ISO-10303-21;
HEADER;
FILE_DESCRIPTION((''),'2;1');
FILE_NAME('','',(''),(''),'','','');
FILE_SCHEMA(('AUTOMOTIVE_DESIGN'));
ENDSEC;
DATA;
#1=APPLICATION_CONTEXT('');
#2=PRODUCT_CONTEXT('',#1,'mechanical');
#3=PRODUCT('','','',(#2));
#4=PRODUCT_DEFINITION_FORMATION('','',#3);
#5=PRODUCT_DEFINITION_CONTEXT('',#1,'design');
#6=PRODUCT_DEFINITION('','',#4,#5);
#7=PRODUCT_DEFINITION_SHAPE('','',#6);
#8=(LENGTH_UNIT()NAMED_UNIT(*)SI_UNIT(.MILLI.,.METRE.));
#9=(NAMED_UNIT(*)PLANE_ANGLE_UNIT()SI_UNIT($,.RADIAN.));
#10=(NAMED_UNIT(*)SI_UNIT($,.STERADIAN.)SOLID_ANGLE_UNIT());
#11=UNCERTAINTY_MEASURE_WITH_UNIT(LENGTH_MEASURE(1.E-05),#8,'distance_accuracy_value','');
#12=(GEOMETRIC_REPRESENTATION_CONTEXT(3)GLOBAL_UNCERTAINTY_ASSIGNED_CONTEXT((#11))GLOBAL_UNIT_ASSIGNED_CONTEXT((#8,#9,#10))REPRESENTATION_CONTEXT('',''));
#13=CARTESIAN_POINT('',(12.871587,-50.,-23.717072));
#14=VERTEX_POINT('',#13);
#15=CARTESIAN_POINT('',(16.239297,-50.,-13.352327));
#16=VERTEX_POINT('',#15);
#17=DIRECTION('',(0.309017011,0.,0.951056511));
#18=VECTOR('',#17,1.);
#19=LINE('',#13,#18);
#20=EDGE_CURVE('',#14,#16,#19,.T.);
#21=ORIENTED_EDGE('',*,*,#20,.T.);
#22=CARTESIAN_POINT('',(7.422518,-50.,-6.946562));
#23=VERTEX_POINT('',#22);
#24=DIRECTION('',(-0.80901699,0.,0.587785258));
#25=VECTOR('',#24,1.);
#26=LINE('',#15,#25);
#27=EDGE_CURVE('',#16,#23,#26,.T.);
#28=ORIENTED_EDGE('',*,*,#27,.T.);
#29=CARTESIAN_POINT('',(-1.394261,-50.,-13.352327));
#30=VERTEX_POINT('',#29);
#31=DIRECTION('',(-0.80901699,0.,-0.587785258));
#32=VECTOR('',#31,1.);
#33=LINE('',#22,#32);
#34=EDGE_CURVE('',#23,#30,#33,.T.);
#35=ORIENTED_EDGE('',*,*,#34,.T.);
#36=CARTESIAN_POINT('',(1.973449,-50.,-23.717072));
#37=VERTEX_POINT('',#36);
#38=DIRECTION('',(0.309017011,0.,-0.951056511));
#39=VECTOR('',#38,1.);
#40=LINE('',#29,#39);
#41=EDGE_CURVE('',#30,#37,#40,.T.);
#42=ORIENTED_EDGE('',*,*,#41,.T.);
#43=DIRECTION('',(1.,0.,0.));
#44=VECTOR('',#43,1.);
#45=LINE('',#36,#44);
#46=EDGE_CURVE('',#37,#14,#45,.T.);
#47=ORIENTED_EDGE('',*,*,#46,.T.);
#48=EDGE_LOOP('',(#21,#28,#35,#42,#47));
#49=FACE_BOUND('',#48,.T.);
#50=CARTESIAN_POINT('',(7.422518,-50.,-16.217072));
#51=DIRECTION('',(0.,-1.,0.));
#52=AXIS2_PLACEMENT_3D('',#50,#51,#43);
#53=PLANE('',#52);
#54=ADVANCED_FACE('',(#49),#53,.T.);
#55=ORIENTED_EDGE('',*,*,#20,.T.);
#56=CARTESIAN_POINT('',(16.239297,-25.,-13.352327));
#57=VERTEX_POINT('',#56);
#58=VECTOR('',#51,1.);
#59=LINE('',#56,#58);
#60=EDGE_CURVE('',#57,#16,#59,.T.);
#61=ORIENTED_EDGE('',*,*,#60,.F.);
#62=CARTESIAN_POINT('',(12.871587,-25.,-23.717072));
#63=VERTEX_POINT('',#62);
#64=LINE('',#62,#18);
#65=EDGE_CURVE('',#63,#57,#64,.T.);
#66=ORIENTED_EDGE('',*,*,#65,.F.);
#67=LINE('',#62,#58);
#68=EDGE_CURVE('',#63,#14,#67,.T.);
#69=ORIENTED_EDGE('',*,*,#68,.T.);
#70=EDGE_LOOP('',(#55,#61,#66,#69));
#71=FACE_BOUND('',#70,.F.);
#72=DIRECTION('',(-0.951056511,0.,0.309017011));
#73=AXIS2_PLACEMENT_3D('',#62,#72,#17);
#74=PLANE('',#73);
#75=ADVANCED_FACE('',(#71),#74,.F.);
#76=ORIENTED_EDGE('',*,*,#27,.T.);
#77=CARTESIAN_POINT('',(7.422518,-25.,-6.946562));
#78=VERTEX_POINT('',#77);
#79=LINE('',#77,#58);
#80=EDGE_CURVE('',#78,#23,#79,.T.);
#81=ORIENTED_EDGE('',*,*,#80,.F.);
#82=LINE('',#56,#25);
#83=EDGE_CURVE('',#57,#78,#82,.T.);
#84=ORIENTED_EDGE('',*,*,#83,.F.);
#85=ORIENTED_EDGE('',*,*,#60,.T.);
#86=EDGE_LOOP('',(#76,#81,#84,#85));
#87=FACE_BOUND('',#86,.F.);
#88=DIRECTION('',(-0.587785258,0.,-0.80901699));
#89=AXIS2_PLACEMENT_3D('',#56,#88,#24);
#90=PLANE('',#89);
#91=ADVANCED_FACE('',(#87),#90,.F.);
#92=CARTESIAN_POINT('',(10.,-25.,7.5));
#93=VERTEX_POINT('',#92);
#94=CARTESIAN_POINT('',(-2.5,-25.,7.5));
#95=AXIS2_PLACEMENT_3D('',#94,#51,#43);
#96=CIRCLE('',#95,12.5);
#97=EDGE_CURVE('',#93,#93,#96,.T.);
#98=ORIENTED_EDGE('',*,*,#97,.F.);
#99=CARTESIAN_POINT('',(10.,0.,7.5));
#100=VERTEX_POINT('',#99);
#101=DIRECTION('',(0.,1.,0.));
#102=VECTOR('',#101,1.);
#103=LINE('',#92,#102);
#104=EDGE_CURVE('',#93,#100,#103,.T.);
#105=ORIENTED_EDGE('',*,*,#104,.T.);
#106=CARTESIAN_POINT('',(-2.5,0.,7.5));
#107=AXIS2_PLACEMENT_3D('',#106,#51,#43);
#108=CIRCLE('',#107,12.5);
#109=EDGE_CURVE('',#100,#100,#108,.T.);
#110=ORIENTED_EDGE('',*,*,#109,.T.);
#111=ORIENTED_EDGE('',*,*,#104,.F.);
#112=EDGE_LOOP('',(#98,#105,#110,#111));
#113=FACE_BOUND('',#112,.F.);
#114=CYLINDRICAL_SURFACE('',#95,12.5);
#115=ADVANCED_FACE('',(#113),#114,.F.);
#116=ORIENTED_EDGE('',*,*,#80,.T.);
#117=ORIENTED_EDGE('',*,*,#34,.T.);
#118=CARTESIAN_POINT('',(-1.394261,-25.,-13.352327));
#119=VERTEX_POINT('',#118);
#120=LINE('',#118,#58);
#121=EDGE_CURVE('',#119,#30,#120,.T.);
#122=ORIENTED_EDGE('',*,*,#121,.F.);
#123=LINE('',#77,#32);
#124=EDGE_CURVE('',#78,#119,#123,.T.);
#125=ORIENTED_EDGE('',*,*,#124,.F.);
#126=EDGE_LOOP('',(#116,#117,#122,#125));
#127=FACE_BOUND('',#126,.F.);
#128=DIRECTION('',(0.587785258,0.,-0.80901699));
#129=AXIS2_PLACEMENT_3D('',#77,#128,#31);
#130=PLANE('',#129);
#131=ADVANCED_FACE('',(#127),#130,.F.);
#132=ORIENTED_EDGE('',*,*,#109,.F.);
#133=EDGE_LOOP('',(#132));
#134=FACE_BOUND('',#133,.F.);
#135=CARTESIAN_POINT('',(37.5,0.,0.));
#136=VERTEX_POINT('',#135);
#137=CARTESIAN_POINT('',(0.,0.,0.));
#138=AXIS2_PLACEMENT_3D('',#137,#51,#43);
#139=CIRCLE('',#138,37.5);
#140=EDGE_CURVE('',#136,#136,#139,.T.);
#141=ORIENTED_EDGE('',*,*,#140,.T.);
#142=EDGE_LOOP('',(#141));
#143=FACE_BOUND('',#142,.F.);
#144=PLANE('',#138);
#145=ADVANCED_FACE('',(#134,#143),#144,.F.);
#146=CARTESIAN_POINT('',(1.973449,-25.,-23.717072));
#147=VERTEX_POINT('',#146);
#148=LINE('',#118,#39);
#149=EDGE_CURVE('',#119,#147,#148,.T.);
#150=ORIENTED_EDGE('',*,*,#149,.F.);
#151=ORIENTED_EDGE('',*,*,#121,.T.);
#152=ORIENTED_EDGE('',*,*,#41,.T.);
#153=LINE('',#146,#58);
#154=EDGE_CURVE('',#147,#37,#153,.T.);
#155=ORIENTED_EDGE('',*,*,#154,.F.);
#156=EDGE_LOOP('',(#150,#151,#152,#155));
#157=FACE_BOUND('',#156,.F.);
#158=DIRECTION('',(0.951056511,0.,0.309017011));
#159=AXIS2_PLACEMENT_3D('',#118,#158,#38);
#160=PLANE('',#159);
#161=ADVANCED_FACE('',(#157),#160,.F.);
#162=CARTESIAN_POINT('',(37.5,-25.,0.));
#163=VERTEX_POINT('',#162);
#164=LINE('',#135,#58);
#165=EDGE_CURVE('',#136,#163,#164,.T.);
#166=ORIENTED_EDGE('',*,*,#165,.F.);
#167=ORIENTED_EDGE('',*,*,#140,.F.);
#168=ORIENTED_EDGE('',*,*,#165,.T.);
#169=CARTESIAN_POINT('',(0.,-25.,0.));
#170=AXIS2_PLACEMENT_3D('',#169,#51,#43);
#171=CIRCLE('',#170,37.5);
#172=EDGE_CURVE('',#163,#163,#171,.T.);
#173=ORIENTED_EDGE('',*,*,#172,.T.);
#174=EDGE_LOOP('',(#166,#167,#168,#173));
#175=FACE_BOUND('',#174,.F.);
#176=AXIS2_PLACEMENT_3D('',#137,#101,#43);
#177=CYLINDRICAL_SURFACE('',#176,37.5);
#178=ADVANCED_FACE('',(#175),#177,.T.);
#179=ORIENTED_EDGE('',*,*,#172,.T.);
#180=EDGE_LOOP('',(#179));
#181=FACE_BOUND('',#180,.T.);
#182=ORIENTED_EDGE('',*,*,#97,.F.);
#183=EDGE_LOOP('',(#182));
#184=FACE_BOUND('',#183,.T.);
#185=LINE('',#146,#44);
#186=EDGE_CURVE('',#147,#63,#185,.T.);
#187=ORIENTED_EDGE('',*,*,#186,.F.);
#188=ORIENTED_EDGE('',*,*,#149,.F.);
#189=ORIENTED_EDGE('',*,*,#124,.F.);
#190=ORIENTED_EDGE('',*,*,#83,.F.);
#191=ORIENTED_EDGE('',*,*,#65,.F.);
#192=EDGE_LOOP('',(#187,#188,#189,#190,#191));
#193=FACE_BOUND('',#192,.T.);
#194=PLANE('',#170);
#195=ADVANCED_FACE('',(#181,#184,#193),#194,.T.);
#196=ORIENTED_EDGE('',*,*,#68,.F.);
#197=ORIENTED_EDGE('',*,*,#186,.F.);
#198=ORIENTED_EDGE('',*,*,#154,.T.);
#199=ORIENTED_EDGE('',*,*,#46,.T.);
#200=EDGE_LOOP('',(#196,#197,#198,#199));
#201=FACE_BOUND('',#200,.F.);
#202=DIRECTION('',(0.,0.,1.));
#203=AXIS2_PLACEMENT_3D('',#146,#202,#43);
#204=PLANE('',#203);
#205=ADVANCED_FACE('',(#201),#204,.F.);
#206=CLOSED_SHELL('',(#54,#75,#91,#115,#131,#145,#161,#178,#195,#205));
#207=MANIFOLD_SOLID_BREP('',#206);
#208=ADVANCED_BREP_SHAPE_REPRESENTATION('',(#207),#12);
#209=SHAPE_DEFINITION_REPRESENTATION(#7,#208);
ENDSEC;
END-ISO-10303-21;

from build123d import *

# Parameters (mm, degrees)
F0_R     = 37.5
F1_DEPTH = 25
F4_R     = 12.5
F5_DEPTH = 25
F7_DEPTH = 25


with BuildPart() as f1:
    # F0 (on Front) → F1 (new body)
    with BuildSketch(Plane.XZ):
        Circle(F0_R)
    extrude(amount=F1_DEPTH)

    # F4 (on face) → F5 (cut)
    with BuildSketch(Plane.XZ.offset(25)):
        with Locations((-2.5, 7.5)):
            Circle(F4_R)
    extrude(amount=-F5_DEPTH, mode=Mode.SUBTRACT)

    # F6 (on face) → F7 (join)
    with BuildSketch(Plane.XZ.offset(25)):
        Polygon((1.973449, -23.717072), (12.871587, -23.717072), (16.239297, -13.352327), (7.422518, -6.946562), (-1.394261, -13.352327), align=None)
    extrude(amount=F7_DEPTH)


solid = f1.part
